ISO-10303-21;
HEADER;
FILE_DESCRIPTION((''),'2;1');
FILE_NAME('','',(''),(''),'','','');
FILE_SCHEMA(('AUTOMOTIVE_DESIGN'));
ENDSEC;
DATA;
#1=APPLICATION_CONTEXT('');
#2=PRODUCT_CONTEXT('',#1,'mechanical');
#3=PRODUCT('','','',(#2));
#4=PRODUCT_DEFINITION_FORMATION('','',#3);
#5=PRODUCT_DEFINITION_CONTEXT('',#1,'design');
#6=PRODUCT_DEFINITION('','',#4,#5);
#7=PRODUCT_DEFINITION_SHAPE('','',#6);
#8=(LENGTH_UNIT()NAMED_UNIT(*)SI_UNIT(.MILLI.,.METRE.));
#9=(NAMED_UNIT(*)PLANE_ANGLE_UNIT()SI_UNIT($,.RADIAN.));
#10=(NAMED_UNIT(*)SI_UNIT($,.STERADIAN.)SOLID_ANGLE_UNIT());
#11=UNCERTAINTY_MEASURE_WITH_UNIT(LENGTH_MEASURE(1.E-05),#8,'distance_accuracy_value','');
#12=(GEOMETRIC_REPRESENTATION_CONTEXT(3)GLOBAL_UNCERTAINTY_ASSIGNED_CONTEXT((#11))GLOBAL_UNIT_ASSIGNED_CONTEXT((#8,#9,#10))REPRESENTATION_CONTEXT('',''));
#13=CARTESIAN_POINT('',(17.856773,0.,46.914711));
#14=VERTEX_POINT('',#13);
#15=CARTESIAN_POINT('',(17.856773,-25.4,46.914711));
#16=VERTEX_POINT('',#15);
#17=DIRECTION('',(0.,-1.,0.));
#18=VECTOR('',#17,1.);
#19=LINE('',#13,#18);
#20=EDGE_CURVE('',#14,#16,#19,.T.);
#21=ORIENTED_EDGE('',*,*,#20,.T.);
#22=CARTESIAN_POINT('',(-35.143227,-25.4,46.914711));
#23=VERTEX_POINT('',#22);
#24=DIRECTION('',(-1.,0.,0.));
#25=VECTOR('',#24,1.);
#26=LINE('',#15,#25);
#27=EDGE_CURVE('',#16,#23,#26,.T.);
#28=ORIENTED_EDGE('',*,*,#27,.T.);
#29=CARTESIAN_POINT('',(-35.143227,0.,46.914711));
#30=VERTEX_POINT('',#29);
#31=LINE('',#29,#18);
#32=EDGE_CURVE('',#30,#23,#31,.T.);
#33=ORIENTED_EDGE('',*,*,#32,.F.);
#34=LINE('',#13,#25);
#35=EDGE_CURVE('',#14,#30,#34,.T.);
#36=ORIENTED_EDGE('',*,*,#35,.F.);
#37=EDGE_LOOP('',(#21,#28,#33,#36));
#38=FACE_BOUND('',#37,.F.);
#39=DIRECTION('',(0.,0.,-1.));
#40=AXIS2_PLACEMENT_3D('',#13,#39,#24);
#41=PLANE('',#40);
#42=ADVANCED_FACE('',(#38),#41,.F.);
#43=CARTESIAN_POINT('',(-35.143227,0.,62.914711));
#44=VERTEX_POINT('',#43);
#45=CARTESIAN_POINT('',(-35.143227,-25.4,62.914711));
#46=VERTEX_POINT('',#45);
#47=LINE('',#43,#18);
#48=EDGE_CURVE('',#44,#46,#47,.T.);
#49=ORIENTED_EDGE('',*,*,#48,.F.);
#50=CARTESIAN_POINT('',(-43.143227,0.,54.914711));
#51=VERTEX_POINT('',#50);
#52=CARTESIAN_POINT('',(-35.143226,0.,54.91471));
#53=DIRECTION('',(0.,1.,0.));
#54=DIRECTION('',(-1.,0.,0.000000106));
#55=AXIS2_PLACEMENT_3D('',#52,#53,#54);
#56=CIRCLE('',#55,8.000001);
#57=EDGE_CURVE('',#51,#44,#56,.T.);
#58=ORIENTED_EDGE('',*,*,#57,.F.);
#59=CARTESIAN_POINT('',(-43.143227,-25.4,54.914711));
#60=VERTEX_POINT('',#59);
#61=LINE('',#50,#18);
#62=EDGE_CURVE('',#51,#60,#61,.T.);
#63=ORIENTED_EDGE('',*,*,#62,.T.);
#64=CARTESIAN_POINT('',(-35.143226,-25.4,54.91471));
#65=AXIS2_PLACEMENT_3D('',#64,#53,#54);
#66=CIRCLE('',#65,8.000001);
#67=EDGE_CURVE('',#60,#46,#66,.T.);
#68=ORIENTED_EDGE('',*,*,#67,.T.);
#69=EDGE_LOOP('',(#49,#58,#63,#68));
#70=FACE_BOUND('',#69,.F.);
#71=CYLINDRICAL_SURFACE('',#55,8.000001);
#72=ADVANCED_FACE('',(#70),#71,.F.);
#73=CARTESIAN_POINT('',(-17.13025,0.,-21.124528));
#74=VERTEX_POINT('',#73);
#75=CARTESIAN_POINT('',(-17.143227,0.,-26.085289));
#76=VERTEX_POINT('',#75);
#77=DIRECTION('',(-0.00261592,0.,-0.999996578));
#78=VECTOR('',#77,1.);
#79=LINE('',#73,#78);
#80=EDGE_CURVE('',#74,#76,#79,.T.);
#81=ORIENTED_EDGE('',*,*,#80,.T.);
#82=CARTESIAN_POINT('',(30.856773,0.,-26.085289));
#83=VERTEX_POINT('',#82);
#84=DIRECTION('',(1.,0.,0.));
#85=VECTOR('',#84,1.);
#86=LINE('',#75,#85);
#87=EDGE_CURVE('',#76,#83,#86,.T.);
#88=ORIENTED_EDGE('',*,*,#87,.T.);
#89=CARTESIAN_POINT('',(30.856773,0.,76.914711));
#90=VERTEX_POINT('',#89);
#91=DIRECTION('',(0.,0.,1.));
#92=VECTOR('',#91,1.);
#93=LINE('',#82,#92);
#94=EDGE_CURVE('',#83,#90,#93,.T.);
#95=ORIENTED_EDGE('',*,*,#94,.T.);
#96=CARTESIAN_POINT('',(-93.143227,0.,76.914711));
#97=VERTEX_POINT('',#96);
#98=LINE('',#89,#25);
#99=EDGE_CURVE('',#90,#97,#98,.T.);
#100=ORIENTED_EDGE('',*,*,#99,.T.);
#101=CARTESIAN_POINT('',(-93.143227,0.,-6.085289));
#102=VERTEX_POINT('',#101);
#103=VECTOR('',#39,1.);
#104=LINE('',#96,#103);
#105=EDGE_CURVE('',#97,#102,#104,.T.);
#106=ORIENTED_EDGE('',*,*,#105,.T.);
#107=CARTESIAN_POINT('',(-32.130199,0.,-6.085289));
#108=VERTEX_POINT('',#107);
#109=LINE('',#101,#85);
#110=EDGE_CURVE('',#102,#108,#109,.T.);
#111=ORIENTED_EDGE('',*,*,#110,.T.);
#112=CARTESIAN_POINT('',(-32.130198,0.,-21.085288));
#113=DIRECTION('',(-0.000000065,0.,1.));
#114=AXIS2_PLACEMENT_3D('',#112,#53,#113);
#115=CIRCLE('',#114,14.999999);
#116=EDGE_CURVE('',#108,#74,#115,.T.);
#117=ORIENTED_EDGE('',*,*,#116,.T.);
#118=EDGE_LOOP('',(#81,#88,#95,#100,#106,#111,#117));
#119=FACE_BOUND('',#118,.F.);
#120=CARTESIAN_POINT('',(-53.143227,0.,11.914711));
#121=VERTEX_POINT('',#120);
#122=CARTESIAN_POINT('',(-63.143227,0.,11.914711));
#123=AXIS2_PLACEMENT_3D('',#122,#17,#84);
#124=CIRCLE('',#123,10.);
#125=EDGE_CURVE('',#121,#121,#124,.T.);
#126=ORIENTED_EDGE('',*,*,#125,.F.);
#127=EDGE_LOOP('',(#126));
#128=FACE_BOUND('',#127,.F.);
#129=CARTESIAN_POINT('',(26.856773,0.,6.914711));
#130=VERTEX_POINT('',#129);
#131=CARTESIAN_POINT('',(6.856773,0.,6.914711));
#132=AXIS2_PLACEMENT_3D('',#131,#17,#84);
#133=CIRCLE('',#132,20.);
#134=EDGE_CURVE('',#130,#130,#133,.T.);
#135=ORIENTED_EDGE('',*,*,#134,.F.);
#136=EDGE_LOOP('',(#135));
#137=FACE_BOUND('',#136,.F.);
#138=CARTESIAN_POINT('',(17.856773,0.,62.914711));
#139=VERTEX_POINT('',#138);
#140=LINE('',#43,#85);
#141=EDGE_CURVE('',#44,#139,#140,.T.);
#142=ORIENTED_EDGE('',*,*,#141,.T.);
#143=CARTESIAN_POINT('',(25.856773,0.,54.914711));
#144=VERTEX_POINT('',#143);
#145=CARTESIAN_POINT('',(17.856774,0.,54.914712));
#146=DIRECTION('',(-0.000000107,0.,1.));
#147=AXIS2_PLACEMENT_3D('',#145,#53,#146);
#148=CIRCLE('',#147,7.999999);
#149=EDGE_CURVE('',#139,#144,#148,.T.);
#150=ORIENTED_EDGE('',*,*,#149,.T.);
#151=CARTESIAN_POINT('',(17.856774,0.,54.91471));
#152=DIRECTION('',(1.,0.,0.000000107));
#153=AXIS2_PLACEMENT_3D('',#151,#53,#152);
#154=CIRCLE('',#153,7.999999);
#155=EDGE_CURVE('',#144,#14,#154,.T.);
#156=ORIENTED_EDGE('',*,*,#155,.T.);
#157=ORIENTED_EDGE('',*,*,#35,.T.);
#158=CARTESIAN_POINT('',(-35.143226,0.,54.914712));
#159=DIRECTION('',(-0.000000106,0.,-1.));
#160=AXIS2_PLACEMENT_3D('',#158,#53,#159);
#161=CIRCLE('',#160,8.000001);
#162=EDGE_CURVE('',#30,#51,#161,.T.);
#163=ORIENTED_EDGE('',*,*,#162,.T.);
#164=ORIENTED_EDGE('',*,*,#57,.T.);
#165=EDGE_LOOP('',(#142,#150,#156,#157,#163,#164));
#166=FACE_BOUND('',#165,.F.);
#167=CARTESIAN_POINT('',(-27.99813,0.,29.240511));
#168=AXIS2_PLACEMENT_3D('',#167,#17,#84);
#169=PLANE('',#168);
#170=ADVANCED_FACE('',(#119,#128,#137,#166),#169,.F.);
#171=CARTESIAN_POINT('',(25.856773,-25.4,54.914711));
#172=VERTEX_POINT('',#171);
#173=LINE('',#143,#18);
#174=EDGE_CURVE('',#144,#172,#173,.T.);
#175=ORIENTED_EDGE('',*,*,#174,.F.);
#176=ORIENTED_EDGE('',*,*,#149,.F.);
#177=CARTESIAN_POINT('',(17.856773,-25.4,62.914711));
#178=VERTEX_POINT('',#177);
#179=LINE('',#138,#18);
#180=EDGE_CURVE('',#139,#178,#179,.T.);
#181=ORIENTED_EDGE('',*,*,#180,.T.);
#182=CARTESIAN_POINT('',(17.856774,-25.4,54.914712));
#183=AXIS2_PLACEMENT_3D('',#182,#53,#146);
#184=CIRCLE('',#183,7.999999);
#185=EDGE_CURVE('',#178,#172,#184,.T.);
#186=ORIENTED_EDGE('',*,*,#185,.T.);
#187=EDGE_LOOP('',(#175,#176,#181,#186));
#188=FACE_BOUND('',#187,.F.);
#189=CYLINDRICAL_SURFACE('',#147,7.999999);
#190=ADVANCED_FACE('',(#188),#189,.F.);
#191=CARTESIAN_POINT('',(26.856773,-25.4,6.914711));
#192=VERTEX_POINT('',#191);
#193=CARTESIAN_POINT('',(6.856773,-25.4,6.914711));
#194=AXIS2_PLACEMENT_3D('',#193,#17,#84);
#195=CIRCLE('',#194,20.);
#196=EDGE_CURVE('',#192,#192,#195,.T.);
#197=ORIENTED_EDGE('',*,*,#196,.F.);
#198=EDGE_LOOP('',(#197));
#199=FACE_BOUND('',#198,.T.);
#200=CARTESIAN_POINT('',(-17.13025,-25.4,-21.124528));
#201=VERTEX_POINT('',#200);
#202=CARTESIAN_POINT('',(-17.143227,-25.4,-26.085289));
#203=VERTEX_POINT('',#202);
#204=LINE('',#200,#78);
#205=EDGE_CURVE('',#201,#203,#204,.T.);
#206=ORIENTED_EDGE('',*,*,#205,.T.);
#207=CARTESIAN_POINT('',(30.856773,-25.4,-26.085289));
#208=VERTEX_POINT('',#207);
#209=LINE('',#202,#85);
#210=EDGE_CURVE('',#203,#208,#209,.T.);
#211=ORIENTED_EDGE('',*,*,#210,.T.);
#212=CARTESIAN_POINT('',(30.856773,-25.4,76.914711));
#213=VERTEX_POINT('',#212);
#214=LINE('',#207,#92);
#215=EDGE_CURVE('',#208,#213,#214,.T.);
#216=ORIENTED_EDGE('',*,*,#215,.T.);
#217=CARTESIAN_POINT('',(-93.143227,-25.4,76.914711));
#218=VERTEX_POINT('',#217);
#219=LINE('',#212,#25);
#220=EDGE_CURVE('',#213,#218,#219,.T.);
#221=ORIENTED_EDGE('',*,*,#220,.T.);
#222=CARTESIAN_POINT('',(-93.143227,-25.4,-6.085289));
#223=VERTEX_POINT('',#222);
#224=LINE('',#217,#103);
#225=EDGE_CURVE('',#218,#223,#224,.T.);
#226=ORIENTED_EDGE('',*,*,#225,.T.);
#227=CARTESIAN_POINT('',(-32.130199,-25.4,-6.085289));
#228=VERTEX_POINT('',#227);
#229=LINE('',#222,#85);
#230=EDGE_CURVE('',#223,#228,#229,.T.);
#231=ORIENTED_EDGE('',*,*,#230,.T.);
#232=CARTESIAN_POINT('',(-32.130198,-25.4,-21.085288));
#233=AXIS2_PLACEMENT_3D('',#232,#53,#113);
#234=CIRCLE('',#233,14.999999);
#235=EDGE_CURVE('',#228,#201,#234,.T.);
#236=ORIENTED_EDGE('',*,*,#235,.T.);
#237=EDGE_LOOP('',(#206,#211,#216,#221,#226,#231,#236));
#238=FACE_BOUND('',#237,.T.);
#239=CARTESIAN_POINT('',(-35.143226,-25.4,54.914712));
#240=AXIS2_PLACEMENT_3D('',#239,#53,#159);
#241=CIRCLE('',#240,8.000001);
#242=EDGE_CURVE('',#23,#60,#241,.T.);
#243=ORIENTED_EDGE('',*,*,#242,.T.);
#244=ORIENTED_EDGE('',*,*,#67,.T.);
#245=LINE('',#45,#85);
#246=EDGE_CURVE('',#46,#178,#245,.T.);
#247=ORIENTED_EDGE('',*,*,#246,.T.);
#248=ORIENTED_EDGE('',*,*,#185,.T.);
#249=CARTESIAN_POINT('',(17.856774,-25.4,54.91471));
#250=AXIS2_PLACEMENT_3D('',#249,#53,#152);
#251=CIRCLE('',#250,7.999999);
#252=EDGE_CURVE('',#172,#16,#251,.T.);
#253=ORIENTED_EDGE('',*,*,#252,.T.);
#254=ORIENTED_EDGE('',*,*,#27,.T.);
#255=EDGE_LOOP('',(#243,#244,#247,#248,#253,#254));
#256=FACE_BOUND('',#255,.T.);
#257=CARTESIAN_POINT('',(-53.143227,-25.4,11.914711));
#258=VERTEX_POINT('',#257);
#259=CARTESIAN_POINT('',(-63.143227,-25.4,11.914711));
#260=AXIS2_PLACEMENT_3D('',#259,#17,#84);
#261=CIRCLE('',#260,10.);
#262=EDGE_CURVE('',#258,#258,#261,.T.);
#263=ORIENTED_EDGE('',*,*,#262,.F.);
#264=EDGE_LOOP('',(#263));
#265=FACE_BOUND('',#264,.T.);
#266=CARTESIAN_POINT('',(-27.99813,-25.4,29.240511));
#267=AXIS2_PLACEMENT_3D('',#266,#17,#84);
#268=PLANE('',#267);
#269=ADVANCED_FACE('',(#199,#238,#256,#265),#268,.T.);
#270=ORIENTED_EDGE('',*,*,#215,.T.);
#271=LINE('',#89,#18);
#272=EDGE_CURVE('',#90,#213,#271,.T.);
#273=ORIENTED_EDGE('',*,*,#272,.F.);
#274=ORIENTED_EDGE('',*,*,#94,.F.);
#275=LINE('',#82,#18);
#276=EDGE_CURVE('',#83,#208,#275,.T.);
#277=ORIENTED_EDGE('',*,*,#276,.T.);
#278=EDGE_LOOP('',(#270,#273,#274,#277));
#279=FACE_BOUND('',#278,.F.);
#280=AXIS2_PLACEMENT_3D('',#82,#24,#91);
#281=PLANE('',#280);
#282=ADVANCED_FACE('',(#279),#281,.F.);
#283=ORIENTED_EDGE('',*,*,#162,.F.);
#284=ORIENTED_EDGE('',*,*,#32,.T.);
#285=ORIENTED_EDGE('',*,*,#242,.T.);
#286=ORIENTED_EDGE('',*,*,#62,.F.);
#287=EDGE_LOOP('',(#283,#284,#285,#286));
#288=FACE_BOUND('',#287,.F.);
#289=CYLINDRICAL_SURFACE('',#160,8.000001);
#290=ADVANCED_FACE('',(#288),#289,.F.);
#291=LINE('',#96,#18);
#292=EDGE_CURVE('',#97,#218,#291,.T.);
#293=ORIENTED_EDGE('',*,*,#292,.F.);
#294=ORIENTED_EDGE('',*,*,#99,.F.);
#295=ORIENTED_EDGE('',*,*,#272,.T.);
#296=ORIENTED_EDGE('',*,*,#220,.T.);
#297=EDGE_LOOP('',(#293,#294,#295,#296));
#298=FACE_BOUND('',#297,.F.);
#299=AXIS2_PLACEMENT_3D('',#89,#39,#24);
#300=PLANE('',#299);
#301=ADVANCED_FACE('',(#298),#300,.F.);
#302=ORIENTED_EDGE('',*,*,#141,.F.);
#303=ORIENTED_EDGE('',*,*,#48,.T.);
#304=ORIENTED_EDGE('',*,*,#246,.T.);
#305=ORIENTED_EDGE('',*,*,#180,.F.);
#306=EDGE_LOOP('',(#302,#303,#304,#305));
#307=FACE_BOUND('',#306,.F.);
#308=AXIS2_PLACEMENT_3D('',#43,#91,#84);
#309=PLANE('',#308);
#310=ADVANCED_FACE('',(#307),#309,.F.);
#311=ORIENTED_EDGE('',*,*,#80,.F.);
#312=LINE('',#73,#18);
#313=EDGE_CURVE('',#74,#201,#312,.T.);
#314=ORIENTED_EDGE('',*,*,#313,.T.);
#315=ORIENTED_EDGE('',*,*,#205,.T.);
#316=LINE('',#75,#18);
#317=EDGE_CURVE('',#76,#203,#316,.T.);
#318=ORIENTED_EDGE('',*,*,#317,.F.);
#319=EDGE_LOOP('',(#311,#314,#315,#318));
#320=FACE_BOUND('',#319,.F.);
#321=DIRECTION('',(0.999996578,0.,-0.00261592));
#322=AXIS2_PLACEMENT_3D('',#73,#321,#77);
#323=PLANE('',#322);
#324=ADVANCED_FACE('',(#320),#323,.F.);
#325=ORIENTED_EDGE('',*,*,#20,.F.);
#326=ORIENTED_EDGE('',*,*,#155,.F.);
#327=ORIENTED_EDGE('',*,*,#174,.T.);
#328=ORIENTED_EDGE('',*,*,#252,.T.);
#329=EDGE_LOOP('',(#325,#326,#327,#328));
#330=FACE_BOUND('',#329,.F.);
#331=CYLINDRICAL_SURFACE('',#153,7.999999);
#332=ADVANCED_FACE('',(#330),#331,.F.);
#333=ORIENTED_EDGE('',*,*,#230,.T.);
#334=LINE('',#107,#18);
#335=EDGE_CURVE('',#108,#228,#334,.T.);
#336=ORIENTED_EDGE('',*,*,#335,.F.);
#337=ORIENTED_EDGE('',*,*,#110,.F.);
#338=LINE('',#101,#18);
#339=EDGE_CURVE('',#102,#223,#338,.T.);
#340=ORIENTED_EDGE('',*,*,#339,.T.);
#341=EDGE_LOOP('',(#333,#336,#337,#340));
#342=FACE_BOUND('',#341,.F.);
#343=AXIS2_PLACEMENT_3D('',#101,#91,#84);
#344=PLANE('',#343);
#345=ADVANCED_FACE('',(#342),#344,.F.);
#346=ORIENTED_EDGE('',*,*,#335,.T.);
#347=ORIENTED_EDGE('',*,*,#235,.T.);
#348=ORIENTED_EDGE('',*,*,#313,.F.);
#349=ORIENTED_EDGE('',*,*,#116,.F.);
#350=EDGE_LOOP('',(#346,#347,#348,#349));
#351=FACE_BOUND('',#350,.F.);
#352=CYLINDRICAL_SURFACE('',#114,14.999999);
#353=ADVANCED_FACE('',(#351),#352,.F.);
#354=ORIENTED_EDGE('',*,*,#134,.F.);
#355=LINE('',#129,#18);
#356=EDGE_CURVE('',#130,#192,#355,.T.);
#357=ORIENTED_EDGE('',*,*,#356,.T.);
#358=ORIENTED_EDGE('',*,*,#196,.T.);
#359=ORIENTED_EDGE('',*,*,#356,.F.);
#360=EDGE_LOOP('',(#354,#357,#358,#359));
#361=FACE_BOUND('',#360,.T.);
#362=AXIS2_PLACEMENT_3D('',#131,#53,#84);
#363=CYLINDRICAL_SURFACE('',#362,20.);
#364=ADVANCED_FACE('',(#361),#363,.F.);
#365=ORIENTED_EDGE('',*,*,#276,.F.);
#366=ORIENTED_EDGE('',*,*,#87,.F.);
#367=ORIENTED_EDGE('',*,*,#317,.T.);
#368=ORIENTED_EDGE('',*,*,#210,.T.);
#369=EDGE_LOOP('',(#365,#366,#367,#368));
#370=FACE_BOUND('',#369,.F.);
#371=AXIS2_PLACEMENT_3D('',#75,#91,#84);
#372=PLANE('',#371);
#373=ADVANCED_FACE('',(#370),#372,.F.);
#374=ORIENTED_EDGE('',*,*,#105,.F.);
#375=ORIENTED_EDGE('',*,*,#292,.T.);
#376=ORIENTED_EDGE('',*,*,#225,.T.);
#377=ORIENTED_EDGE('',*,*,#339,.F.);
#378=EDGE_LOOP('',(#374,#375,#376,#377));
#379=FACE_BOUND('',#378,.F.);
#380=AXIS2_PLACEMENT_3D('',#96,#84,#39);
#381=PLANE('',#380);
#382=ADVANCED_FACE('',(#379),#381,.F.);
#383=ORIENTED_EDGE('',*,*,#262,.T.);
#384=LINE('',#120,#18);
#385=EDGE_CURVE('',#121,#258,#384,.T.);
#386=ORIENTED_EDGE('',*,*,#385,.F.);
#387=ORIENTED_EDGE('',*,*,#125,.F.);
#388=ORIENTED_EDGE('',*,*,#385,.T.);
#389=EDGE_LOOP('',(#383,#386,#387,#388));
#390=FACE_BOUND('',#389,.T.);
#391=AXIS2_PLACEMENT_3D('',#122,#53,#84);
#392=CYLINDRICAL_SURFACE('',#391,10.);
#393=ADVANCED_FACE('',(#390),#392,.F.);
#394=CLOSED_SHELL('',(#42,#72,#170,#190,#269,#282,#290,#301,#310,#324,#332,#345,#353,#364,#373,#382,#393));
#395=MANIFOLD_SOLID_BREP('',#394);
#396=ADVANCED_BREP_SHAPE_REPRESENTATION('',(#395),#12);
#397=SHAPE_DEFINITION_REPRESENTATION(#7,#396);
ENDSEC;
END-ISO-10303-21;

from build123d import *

# Parameters (mm, degrees)
F0_R     = 10
F0_R_2   = 20
F1_DEPTH = 25.4


with BuildPart() as f1:
    # F0 (on Front) → F1 (new body)
    with BuildSketch(Plane.XZ):
        with BuildLine():
            Line((-43.143227, 76.914711), (-93.143227, 76.914711))
            Line((-93.143227, 76.914711), (-93.143227, 11.914711))
            Line((-93.143227, 11.914711), (-93.143227, -6.085289))
            Line((-93.143227, -6.085289), (-64.090909, -6.085289))
            Line((-64.090909, -6.085289), (-32.130199, -6.085289))
            ThreePointArc((-32.130199, -6.085289), (-21.509733, -10.492569), (-17.13025, -21.124528))
            Line((-17.13025, -21.124528), (-17.143227, -26.085289))
            Line((-17.143227, -26.085289), (6.856773, -26.085289))
            Line((6.856773, -26.085289), (30.856773, -26.085289))
            Line((30.856773, -26.085289), (30.856773, 6.914711))
            Line((30.856773, 6.914711), (30.856773, 46.914711))
            Line((30.856773, 46.914711), (30.856773, 62.914711))
            Line((30.856773, 62.914711), (30.856773, 76.914711))
            Line((30.856773, 76.914711), (25.856773, 76.914711))
            Line((25.856773, 76.914711), (-43.143227, 76.914711))
        make_face()
        with Locations((-63.143227, 11.914711)):
            Circle(F0_R, mode=Mode.SUBTRACT)
        with Locations((6.856773, 6.914711)):
            Circle(F0_R_2, mode=Mode.SUBTRACT)
        with BuildLine():
            ThreePointArc((25.856773, 54.914711), (23.513628, 49.257857), (17.856773, 46.914711))
            Line((17.856773, 46.914711), (-35.143227, 46.914711))
            ThreePointArc((-35.143227, 46.914711), (-40.800081, 49.257857), (-43.143227, 54.914711))
            ThreePointArc((-43.143227, 54.914711), (-40.800081, 60.571565), (-35.143227, 62.914711))
            Line((-35.143227, 62.914711), (17.856773, 62.914711))
            ThreePointArc((17.856773, 62.914711), (23.513628, 60.571565), (25.856773, 54.914711))
        make_face(mode=Mode.SUBTRACT)
    extrude(amount=F1_DEPTH)


solid = f1.part
